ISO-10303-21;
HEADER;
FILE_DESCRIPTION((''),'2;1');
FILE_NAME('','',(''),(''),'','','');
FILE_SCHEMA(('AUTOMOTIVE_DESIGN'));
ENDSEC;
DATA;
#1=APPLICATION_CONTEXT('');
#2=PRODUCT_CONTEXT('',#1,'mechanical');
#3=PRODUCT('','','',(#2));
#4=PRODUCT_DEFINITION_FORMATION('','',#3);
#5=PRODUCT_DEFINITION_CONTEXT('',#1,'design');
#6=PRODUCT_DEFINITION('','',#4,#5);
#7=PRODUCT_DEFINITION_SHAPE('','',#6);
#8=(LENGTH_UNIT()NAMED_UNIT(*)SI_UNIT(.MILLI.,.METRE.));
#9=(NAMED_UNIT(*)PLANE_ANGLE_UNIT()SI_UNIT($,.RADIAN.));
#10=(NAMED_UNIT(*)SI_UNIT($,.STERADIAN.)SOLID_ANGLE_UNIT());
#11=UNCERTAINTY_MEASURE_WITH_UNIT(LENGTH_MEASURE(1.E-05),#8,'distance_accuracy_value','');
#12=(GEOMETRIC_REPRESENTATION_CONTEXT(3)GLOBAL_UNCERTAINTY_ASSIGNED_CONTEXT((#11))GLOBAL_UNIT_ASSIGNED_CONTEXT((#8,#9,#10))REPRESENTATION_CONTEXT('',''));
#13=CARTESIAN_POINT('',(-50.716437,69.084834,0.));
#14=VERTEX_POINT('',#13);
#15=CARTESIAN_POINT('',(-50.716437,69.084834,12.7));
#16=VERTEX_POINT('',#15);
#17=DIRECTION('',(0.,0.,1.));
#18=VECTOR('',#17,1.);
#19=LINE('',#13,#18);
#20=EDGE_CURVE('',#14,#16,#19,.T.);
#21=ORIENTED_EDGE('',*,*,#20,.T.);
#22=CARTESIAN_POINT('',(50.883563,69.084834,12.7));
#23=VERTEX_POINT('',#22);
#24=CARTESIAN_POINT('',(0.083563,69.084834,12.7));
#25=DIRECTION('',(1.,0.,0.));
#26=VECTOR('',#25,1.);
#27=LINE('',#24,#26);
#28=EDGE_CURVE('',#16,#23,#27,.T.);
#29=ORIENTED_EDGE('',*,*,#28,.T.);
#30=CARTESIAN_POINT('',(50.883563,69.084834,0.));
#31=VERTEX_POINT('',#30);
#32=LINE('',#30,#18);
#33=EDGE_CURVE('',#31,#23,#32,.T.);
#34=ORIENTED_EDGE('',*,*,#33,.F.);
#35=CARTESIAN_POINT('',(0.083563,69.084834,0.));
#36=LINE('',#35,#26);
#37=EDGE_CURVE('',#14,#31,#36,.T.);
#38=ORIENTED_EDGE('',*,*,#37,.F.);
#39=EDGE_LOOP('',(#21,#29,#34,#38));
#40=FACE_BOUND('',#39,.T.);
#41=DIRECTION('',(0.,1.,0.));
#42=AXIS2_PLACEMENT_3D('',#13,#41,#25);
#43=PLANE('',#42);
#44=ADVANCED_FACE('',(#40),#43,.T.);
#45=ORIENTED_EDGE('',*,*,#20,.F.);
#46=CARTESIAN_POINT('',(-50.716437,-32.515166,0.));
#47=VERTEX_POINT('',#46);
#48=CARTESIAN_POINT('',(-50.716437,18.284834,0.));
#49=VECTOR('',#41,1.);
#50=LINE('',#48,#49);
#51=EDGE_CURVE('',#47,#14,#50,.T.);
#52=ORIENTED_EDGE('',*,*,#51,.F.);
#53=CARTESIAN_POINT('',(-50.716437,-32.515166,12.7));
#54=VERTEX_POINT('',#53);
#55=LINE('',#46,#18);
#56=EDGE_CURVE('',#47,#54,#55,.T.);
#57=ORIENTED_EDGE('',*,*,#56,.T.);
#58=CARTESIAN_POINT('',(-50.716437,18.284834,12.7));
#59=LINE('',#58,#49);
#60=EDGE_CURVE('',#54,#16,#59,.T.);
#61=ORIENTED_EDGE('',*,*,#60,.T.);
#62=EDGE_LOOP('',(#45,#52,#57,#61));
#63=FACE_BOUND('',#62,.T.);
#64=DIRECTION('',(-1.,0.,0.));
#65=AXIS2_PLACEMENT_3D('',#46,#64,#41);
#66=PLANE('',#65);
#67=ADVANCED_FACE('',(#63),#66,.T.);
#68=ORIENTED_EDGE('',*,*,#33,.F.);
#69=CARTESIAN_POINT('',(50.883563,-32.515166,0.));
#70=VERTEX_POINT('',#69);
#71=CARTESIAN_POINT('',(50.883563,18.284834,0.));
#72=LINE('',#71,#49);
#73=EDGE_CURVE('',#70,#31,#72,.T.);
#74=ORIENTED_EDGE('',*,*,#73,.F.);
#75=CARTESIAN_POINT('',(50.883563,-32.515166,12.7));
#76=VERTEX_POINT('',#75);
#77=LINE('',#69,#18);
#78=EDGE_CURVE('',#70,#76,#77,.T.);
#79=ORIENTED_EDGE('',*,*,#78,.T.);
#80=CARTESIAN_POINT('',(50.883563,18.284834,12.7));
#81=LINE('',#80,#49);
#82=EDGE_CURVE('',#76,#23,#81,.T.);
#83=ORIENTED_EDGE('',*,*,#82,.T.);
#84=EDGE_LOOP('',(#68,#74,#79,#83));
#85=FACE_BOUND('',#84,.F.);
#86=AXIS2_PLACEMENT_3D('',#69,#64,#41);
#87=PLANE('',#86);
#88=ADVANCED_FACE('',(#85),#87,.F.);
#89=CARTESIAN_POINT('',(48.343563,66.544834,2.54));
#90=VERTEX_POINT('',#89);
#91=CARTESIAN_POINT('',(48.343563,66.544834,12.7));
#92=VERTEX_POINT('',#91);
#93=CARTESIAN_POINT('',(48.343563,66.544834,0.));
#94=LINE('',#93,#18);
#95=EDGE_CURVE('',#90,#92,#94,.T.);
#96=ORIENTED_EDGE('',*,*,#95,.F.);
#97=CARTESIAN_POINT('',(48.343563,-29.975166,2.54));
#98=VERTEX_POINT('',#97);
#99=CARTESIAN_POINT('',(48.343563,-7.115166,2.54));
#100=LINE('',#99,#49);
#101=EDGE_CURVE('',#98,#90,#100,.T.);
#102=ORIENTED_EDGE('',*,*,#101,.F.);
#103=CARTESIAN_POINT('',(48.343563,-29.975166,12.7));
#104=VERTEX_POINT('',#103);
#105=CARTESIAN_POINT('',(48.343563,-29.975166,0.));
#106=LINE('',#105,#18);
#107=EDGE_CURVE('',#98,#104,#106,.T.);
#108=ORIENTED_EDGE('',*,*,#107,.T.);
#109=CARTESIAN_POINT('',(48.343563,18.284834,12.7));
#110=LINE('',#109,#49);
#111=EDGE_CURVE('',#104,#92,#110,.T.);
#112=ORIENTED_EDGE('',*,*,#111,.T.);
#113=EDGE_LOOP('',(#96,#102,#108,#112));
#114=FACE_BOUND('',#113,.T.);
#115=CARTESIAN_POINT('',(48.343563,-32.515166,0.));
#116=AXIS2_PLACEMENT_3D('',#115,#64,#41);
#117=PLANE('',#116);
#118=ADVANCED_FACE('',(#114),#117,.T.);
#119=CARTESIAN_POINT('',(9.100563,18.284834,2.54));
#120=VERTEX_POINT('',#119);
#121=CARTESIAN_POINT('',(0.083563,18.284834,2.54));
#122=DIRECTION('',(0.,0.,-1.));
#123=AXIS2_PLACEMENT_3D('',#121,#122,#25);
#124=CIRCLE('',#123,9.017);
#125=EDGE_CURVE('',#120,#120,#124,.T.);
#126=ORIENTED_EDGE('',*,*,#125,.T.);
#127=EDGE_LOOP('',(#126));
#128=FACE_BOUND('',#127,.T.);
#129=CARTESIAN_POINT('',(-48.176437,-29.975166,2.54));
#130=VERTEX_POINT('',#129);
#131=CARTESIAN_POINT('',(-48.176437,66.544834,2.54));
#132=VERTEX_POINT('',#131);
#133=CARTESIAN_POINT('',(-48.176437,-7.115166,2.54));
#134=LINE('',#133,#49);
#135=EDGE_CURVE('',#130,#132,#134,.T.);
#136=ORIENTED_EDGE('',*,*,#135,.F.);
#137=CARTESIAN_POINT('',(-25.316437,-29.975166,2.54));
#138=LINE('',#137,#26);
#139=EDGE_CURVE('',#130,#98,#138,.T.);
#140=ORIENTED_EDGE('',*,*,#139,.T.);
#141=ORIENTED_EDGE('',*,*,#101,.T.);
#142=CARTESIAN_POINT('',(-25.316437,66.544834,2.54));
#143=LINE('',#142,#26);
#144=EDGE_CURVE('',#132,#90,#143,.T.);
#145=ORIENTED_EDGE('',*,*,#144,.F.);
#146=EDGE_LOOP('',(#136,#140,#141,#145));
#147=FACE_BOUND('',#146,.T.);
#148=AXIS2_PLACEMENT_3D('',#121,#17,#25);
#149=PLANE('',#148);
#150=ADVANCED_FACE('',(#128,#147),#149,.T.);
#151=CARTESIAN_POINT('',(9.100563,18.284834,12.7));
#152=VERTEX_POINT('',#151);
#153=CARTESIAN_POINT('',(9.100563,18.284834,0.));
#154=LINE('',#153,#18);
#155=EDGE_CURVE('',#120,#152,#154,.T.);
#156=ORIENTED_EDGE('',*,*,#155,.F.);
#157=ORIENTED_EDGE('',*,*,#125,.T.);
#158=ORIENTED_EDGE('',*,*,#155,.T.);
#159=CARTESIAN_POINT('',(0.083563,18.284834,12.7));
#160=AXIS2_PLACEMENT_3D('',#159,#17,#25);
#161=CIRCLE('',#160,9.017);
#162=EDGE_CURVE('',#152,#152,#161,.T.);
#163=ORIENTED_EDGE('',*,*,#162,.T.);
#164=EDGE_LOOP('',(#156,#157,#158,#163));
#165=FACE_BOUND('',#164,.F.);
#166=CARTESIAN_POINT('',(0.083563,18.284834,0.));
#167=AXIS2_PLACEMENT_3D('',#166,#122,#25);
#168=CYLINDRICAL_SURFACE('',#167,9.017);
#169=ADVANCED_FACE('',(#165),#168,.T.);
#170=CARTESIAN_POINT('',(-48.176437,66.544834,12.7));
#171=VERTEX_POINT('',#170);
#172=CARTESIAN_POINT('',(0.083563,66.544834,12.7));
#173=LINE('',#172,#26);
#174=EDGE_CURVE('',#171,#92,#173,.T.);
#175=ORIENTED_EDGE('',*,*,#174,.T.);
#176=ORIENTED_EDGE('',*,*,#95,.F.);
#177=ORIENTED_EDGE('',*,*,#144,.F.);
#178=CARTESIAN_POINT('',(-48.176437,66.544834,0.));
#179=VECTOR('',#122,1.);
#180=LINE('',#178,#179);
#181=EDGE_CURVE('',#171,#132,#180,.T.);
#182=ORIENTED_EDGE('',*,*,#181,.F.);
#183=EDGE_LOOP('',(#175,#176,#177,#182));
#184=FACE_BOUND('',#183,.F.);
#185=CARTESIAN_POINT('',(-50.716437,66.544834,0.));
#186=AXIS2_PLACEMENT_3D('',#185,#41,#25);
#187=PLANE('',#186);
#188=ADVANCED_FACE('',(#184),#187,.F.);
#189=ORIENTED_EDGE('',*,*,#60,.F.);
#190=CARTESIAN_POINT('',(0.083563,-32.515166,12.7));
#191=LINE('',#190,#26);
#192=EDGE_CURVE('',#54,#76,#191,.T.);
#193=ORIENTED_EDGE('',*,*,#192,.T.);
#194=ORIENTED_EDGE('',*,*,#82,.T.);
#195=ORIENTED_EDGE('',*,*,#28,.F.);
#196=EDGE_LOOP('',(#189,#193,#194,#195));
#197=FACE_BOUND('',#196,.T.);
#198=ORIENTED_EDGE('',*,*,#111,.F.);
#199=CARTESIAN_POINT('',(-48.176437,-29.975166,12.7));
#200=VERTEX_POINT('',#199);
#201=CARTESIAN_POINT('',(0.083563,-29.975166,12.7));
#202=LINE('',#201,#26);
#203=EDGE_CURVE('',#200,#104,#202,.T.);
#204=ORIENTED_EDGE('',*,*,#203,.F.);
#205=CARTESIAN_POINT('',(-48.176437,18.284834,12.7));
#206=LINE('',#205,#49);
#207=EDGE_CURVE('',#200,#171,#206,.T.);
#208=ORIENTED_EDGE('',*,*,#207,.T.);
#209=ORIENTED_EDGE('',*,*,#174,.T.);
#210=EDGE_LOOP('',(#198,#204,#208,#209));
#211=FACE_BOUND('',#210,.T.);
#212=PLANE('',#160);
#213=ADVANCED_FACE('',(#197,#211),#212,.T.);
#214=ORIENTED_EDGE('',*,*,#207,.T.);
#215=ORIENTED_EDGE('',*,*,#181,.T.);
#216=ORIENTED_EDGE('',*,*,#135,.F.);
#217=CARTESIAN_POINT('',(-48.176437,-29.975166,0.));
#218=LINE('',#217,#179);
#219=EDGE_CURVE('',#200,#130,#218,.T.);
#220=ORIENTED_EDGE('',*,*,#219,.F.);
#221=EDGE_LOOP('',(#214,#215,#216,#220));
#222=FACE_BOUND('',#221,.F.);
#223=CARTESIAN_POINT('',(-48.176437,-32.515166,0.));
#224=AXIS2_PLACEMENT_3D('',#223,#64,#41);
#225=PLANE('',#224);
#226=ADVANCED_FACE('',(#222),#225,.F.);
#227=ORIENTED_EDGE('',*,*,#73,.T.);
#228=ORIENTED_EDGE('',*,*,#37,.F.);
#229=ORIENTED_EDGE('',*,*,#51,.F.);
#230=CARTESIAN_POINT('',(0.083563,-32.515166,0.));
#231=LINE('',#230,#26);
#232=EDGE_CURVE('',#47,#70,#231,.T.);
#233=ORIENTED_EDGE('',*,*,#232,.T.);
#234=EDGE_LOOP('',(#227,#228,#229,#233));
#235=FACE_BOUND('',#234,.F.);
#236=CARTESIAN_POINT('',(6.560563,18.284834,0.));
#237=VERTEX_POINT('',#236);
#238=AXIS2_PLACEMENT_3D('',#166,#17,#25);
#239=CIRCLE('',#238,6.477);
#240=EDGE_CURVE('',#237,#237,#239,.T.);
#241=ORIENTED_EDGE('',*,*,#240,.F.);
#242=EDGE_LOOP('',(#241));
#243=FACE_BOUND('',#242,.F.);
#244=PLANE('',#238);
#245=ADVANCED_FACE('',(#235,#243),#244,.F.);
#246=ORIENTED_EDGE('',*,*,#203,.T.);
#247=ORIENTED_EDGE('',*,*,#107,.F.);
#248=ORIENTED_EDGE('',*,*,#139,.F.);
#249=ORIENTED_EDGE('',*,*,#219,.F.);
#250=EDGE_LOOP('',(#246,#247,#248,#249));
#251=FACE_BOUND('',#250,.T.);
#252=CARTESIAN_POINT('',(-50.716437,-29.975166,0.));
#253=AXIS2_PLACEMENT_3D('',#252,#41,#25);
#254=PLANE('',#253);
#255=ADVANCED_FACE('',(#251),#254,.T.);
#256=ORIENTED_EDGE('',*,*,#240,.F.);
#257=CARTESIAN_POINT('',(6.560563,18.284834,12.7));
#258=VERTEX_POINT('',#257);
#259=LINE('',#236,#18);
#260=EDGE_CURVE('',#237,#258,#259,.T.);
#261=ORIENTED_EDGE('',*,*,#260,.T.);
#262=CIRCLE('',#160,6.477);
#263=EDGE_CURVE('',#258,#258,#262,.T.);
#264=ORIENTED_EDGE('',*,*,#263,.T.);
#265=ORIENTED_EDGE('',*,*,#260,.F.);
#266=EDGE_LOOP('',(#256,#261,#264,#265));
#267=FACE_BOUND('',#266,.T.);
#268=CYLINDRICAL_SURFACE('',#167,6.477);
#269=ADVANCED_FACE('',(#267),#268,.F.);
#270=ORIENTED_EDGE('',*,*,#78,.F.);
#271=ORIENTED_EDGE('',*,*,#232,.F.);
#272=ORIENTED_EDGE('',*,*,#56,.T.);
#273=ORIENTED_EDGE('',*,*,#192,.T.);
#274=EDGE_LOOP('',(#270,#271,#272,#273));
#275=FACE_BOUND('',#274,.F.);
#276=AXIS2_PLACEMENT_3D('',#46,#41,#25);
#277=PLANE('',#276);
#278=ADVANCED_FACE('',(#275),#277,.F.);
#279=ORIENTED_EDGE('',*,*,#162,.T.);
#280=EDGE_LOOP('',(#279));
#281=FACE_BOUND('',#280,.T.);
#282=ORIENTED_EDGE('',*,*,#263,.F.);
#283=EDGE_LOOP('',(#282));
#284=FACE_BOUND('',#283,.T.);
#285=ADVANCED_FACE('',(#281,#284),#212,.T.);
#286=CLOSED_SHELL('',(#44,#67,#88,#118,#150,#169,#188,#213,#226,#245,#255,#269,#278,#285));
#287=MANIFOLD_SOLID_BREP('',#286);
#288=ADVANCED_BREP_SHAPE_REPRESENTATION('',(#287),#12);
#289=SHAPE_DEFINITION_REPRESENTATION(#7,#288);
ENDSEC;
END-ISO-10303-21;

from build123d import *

# Parameters (mm, degrees)
F0_W     = 101.6
F0_H     = 101.6
F0_R     = 6.477
F1_DEPTH = 12.7
F2_T     = -2.54


with BuildPart() as f1:
    # F0 (on Top) → F1 (new body)
    with BuildSketch(Plane.XY):
        with Locations((0.083563, 18.284834)):
            Rectangle(F0_W, F0_H)
        with Locations((0.083563, 18.284834)):
            Circle(F0_R, mode=Mode.SUBTRACT)
    extrude(amount=F1_DEPTH)

    # F2
    f2_openings = [f1.faces().sort_by_distance(p)[0] for p in [
        (49.446723, 18.284834, 12.7),
    ]]
    offset(amount=F2_T, openings=f2_openings)


solid = f1.part
